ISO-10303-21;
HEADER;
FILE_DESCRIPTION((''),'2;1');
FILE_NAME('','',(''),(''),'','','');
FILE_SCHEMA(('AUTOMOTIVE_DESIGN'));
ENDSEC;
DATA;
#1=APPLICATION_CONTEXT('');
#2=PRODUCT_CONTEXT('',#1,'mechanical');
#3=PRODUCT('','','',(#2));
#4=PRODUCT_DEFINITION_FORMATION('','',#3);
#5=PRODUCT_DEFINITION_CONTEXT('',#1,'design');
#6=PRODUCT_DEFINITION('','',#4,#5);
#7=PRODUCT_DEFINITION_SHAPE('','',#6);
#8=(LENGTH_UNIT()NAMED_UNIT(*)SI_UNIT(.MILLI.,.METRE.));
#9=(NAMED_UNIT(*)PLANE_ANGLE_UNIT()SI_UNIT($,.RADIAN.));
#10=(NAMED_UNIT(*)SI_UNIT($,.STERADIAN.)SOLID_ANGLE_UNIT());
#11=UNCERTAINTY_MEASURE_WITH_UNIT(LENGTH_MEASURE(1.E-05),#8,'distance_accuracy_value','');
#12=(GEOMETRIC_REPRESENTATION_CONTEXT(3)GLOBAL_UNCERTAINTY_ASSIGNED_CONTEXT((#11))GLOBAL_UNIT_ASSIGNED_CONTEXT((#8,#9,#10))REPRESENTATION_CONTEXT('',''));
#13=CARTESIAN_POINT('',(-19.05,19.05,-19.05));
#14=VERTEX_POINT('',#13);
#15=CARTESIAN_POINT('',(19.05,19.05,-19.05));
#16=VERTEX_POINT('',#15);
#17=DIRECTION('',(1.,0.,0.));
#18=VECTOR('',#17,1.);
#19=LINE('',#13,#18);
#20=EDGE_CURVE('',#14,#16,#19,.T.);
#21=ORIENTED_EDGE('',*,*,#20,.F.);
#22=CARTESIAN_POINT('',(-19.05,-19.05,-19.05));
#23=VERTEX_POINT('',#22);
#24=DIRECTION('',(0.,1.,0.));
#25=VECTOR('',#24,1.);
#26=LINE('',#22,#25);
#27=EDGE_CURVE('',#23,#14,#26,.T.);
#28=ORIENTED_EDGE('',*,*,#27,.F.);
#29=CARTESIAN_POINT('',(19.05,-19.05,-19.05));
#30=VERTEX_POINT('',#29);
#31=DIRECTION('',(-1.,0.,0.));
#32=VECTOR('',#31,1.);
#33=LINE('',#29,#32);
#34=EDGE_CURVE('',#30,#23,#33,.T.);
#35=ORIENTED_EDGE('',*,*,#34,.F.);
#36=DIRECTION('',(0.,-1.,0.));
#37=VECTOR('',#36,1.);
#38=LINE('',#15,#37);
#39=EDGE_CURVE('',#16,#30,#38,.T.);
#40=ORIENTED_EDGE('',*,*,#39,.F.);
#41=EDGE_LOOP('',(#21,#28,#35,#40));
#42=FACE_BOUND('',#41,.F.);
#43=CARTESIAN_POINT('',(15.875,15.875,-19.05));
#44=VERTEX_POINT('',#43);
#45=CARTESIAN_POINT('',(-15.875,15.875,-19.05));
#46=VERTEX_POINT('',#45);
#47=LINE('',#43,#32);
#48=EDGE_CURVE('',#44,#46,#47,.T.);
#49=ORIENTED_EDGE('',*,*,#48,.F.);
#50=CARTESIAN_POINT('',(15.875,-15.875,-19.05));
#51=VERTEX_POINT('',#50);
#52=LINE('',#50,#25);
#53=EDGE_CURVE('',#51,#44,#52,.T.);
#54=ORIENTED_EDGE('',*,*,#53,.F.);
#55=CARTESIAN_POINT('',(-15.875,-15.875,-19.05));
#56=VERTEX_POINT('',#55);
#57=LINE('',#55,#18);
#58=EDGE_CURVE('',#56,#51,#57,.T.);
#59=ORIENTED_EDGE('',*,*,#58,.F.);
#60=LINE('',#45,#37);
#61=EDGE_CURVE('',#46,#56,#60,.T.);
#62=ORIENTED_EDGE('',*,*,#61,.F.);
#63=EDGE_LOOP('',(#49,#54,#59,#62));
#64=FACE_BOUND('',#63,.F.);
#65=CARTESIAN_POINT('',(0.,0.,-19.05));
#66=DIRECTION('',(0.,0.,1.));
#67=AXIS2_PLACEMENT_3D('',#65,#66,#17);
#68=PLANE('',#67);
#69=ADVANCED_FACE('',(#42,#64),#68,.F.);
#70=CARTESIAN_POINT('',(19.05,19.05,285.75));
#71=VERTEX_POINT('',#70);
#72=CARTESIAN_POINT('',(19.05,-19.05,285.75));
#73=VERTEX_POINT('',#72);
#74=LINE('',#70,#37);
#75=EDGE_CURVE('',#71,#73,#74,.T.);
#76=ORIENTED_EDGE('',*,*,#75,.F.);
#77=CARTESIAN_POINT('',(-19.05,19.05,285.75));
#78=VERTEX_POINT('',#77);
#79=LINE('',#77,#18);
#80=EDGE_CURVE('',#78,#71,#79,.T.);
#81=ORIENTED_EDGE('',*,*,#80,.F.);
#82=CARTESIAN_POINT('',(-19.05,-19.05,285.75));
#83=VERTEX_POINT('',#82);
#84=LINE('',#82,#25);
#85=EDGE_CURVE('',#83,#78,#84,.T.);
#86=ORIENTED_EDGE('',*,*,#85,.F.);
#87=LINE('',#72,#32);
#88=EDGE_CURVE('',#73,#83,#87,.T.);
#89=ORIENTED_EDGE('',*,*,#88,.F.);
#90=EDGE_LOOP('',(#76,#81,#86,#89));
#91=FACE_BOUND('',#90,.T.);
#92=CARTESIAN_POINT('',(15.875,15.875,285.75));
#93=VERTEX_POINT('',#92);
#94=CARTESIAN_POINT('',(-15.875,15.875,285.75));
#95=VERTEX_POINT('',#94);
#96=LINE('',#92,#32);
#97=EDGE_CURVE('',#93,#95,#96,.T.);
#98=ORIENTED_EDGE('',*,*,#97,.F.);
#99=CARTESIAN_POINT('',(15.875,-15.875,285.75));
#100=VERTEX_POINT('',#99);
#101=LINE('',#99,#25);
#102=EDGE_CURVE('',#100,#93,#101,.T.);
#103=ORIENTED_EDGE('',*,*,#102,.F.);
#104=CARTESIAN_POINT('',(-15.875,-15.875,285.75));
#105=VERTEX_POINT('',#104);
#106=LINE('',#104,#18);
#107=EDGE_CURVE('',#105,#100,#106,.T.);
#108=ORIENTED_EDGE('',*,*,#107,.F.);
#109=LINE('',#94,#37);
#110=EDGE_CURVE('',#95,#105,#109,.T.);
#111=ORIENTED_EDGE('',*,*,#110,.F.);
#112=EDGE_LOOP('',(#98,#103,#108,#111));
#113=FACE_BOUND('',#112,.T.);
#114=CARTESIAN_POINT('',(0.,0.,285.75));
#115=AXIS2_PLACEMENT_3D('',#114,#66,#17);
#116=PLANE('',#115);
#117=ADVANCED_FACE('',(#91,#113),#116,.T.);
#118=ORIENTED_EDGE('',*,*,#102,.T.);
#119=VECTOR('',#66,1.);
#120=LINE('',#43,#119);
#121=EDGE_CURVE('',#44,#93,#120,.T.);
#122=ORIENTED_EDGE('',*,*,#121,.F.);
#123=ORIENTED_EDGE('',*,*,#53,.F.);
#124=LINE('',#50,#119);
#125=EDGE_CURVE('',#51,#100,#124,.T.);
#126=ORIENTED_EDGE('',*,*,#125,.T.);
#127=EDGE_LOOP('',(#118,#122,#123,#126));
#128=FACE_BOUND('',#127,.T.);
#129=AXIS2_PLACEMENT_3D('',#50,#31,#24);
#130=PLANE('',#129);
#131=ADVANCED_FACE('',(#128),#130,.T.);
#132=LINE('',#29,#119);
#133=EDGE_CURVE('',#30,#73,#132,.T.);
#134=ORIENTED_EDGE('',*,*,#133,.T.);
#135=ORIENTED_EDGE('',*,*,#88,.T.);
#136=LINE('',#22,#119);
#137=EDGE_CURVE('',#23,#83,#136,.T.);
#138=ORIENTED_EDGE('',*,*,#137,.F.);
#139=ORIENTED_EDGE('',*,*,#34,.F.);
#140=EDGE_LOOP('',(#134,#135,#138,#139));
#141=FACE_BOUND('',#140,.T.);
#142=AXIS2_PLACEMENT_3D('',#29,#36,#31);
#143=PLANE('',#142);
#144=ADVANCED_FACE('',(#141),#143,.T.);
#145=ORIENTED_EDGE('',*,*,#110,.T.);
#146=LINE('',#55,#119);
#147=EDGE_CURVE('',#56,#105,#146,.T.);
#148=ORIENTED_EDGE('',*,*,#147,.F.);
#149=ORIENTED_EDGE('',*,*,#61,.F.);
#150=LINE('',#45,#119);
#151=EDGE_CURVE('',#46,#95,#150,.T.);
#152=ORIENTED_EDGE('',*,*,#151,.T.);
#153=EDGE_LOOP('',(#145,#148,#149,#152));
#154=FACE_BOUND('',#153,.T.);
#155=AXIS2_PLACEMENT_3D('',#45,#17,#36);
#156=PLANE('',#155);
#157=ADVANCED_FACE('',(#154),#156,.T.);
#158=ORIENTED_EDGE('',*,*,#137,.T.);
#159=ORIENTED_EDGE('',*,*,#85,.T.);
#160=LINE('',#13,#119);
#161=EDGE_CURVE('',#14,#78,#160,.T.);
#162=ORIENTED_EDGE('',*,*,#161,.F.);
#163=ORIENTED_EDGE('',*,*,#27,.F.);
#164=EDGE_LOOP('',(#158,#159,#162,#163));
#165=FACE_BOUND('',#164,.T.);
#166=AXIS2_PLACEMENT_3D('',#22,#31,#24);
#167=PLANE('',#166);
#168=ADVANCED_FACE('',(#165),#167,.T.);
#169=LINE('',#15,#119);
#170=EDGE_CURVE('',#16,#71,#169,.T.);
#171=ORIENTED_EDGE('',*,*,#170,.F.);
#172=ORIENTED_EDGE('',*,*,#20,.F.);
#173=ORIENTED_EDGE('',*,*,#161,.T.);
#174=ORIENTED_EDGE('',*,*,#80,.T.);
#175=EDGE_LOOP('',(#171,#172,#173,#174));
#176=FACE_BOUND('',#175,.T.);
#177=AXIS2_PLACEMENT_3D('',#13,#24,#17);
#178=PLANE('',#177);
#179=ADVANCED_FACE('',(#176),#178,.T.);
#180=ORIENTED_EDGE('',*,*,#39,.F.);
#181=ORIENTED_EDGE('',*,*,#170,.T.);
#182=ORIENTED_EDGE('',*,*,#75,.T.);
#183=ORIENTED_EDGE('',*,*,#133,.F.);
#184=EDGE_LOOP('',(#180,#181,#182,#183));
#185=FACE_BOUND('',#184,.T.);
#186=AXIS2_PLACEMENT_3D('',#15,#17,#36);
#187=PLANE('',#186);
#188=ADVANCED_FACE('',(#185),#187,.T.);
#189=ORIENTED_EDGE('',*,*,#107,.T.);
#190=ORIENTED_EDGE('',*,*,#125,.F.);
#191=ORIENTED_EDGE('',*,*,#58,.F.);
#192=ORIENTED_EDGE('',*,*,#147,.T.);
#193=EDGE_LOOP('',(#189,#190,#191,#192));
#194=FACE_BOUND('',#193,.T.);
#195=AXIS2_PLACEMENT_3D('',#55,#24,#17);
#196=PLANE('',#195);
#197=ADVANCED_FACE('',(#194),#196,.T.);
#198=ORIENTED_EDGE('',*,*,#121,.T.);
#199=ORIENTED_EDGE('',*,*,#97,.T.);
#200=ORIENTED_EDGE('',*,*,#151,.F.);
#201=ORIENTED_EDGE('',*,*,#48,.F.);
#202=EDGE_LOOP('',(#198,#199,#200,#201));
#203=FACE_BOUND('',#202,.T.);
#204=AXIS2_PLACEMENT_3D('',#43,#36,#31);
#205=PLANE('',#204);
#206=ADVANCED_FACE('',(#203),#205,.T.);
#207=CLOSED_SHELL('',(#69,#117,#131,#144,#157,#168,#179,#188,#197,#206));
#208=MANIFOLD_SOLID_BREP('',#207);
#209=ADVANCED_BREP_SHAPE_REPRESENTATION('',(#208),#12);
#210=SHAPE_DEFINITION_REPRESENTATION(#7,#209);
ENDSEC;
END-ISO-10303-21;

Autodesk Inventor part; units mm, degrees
ref_plane "Start Plane" through (0, 0, -19.05) normal (0, 0, 1) x (1, 0, 0)
ref_plane "End Plane" through (0, 0, 285.75) normal (0, 0, 1) x (1, 0, 0)
sketch "Sketch" plane through (0, 0, 0) normal (0, 0, 1) x (1, 0, 0)
  line L0 (-19.05, 19.05) -> (19.05, 19.05)
  line L1 (19.05, 19.05) -> (19.05, -19.05)
  line L2 (19.05, -19.05) -> (-19.05, -19.05)
  line L3 (-19.05, -19.05) -> (-19.05, 19.05)
  line L4 (15.875, 15.875) -> (-15.875, 15.875)
  line L5 (-15.875, 15.875) -> (-15.875, -15.875)
  line L6 (-15.875, -15.875) -> (15.875, -15.875)
  line L7 (15.875, -15.875) -> (15.875, 15.875)
  point P0 (0, 0)
  point P1 (0, 19.05)
  point P2 (-19.05, 0)
  dimension "width" = 38.1
  dimension "d1" = 3.175
extrude "Body" add sketch "Sketch" along normal up to surface (304.8 mm away) from surface at -19.05
sketch "Sketch4" plane through (0, 0, 0) normal (0, 0, 1) x (1, 0, 0)
  line L0 (0, 0) -> (10, 0)
ref_plane "Work Plane4" through (0, 0, 0) normal (0, -1, 0) x (1, 0, 0)
sketch "Sketch5" plane through (0, 0, 0) normal (0, -1, 0) x (1, 0, 0)
  line L0 (-2, -19.05) -> (12, -19.05)
  line L1 (-2, 285.75) -> (12, 285.75)
  dimension "d9" = 304.8
ref_plane "Work Plane5" through (-762, 19.05, 285.75) normal (0, 0, 1) x (1, 0, 0)
split "Split1" plane through (-762, 19.05, 285.75) removes the side toward (0, 0, 1)
ref_plane "Work Plane6" through (-38.1, -19.05, -19.05) normal (0, 0, -1) x (-1, 0, 0)
split "Split2" plane through (-38.1, -19.05, -19.05) removes the side toward (0, 0, -1)
equation "\"G_OFFSET_START\" = 19.05"
equation "\"G_OFFSET_END\" = -19.05"
equation "\"d4\" = -G_OFFSET_START"
equation "\"d5\" = length + G_OFFSET_END"
equation "\"G_L\" = 304.8"
equation "\"length\" = 304.8"
properties part number "1.5x1.5x.125 Tube" material "Aluminum-6061"
